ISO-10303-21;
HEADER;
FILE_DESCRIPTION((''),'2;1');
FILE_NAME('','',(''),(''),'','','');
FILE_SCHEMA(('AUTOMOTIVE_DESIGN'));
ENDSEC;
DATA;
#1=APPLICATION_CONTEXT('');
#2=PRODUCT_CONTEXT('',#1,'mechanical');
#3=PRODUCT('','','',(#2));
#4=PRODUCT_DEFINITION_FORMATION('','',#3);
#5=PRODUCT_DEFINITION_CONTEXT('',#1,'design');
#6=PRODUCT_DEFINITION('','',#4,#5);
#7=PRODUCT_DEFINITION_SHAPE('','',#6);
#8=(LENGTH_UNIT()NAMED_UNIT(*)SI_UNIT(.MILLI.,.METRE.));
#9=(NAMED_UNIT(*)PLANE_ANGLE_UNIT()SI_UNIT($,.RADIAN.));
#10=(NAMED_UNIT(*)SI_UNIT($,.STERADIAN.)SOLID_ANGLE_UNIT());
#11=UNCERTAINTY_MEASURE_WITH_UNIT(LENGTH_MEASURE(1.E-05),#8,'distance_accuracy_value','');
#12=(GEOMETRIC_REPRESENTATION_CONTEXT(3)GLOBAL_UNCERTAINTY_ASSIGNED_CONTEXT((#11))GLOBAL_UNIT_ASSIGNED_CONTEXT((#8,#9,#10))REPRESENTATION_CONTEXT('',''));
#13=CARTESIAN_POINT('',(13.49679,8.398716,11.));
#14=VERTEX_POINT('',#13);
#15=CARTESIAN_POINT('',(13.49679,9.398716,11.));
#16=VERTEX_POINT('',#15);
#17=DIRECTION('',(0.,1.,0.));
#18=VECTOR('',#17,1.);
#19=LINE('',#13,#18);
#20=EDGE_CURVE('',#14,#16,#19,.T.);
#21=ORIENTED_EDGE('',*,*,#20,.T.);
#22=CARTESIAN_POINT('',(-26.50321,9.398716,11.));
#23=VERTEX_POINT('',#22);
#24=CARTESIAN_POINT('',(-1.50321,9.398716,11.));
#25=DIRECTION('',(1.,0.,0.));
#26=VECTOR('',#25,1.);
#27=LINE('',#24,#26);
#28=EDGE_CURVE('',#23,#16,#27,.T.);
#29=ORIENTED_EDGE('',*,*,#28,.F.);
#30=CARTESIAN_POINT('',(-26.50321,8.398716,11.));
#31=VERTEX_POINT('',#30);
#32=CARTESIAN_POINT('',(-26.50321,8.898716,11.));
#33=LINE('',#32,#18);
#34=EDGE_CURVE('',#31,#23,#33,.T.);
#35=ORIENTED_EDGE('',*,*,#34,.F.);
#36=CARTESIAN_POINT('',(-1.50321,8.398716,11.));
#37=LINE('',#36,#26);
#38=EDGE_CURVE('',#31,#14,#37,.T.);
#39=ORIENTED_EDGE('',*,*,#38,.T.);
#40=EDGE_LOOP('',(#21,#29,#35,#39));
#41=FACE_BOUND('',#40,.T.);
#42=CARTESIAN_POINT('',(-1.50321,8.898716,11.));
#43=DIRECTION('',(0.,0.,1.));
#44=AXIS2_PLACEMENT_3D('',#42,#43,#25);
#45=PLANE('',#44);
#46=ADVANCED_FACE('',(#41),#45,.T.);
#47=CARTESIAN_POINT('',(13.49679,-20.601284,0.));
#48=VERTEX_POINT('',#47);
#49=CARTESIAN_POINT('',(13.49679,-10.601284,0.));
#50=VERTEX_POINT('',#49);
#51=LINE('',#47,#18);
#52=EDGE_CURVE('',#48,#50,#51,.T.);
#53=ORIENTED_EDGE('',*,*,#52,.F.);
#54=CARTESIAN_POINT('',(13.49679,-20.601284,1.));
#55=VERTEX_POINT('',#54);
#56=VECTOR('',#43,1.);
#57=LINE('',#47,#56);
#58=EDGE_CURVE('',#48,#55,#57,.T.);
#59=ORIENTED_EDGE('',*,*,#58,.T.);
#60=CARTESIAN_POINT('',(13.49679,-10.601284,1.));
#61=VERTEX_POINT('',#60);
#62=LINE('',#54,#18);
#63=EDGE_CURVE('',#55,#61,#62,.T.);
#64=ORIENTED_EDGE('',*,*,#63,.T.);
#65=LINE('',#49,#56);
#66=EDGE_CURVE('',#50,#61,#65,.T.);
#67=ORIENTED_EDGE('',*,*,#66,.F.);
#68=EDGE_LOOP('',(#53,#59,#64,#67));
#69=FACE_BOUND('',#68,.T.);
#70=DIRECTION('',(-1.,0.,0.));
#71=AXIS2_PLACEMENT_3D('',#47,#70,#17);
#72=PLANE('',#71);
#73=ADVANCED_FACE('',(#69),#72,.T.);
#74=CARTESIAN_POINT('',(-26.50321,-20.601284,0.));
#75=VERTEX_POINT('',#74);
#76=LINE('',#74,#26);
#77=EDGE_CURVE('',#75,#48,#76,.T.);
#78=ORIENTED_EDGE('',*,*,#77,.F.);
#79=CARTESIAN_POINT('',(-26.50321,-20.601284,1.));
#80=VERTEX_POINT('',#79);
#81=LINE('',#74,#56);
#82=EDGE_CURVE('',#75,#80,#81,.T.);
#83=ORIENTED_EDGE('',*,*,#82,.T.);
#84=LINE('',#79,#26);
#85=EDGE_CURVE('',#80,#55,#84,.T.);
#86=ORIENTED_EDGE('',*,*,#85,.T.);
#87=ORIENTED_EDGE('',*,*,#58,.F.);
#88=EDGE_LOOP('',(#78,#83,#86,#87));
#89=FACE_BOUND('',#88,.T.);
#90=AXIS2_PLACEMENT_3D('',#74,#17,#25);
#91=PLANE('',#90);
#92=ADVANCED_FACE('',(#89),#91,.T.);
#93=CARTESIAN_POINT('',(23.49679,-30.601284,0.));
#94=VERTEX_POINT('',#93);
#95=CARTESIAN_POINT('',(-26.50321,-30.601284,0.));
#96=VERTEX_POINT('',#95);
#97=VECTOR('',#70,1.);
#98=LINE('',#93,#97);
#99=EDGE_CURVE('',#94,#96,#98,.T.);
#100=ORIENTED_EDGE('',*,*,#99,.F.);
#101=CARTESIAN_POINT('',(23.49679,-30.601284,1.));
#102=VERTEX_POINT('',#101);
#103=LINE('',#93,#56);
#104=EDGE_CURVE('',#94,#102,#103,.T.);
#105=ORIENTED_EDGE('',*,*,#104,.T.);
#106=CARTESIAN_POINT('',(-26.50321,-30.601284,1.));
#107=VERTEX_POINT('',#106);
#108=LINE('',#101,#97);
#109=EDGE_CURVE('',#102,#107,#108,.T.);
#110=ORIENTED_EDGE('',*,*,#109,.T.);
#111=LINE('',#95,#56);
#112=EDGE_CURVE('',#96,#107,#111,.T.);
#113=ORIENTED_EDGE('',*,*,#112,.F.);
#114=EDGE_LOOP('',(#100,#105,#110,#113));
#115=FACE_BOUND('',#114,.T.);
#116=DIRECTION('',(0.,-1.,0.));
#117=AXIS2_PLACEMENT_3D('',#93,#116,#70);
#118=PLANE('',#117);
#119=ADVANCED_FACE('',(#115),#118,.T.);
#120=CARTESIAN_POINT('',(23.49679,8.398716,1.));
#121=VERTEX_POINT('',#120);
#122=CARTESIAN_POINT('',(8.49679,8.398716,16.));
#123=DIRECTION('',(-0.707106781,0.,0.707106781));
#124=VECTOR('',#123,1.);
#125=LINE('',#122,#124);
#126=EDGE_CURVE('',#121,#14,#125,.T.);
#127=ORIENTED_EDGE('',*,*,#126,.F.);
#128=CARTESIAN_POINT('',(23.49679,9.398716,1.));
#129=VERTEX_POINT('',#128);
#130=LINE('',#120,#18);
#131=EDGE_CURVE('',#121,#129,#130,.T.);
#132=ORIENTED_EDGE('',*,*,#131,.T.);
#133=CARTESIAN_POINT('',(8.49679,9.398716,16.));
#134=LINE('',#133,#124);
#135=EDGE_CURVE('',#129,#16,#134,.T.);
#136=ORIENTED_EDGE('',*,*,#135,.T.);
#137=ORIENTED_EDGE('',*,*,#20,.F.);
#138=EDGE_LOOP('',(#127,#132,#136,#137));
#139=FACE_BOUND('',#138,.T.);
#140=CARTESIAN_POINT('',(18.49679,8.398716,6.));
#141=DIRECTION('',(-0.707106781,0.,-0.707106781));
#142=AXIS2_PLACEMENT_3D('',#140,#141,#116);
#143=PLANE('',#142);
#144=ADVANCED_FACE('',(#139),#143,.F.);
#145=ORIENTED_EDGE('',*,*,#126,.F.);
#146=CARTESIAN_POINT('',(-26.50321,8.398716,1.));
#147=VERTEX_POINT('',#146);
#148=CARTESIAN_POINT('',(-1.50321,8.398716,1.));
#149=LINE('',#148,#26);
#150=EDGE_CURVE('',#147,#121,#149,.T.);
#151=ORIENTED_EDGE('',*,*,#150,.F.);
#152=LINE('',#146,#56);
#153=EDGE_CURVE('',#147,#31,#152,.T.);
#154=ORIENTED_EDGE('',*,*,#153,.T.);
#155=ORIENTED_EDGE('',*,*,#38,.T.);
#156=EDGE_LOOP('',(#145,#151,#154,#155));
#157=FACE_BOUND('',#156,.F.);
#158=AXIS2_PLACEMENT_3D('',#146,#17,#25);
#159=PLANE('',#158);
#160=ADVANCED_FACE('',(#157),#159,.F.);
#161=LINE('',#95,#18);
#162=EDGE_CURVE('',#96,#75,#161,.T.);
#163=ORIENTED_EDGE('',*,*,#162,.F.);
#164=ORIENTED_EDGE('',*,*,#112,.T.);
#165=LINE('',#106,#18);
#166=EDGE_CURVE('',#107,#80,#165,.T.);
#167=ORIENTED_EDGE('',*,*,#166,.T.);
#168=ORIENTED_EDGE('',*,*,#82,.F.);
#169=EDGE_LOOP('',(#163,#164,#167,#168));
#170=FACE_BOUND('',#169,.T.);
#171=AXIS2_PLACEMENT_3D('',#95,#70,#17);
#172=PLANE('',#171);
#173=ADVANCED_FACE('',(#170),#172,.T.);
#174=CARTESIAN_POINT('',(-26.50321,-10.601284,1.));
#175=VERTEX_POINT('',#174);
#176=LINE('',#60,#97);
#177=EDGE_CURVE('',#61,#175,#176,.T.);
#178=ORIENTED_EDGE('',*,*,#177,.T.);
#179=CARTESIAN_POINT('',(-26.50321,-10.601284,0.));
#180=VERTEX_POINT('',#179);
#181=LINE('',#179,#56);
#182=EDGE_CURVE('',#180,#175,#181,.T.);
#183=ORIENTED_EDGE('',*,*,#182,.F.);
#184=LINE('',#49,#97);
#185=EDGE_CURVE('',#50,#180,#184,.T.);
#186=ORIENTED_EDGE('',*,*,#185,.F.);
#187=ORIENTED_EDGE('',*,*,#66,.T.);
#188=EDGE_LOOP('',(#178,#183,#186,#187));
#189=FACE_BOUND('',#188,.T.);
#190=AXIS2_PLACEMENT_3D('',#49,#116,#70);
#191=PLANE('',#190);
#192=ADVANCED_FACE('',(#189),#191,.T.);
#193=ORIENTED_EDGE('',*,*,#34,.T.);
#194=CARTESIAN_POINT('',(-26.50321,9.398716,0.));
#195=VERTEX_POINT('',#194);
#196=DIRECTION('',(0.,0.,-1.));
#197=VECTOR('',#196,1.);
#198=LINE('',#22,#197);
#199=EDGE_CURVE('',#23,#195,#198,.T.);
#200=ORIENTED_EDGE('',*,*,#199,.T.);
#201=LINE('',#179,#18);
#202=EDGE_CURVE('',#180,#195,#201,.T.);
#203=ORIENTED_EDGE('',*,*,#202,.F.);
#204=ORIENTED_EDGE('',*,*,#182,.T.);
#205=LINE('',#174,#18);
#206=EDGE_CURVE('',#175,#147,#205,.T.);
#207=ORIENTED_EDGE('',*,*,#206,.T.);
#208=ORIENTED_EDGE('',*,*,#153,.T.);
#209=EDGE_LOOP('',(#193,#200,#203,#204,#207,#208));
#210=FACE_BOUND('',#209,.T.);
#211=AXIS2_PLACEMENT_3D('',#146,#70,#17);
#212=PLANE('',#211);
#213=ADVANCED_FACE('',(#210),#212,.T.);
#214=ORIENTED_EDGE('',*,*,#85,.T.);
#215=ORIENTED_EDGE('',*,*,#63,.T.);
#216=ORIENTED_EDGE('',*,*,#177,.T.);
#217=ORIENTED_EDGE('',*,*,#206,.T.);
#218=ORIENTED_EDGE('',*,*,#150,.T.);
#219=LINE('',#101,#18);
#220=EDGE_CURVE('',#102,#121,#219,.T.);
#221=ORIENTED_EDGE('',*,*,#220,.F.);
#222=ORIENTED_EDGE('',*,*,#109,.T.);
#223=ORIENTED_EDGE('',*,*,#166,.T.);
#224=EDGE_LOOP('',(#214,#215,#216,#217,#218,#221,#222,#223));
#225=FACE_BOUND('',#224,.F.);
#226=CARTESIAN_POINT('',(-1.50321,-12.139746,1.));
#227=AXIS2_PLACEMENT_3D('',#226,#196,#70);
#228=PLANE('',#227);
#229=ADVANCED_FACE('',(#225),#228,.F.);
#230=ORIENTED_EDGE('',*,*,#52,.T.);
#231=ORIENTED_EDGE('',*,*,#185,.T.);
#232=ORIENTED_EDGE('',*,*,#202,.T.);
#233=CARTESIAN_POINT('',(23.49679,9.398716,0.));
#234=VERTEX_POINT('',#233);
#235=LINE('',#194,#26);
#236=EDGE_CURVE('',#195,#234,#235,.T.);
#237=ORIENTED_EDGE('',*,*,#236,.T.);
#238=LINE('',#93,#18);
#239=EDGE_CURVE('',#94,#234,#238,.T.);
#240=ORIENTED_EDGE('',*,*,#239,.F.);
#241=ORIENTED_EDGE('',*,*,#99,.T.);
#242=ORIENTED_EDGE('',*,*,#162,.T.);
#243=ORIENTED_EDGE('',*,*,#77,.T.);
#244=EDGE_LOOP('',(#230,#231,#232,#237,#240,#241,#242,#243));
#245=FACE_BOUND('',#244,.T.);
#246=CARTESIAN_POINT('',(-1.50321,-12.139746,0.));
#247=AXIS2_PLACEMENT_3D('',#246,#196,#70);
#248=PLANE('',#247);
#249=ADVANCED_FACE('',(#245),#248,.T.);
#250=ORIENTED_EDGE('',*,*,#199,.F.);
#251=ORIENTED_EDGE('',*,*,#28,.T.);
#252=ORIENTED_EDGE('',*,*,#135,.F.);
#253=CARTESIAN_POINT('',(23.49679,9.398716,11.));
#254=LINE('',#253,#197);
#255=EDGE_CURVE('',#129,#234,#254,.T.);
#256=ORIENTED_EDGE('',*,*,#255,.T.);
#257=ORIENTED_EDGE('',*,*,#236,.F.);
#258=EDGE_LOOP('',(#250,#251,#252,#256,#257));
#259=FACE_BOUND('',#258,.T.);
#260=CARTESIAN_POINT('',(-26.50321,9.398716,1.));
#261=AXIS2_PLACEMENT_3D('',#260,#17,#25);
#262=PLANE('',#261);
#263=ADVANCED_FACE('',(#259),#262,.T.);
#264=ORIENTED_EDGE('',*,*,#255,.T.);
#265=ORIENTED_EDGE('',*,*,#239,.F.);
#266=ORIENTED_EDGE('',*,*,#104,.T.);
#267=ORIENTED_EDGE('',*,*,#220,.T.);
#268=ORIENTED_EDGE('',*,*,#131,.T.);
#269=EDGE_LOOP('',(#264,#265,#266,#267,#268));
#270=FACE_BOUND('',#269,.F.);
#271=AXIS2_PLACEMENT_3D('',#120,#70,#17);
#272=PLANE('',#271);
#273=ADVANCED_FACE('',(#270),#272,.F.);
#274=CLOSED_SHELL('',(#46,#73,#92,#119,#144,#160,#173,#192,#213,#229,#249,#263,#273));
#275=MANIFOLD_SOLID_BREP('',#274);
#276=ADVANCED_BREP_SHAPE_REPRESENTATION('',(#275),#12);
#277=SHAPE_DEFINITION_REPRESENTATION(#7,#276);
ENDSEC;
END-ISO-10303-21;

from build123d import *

# Parameters (mm, degrees)
EXTRUDE_1_DEPTH = 1
SKETCH_2_W      = 50
SKETCH_2_H      = 1
EXTRUDE_2_DEPTH = 10
CHAMFER_1_SIZE  = 10


with BuildPart() as part:
    # 草图1 → 凸台-拉伸1 (new body)
    with BuildSketch(Plane.XY):
        Polygon((23.496790028, -8.332562617), (23.496790028, -17.864815409), (23.496790028, -30.601283989), (-26.503209972, -30.601283989), (-26.503209972, -20.601283989), (13.496790028, -20.601283989), (13.496790028, -10.601283989), (-26.503209972, -10.601283989), (-26.503209972, 9.398716011), (23.496790028, 9.398716011), align=None)
    extrude(amount=EXTRUDE_1_DEPTH)

    # 草图2 → 凸台-拉伸2 (add)
    with BuildSketch(Plane.XY.offset(1)):
        with Locations((-1.503209972, 8.898716011)):
            Rectangle(SKETCH_2_W, SKETCH_2_H)
    extrude(amount=EXTRUDE_2_DEPTH)

    # 倒角1
    chamfer_1_edges = [part.edges().sort_by_distance(p)[0] for p in [
        (23.496790028, 8.898716011, 11),
    ]]
    chamfer(chamfer_1_edges, length=CHAMFER_1_SIZE)


solid = part.part
